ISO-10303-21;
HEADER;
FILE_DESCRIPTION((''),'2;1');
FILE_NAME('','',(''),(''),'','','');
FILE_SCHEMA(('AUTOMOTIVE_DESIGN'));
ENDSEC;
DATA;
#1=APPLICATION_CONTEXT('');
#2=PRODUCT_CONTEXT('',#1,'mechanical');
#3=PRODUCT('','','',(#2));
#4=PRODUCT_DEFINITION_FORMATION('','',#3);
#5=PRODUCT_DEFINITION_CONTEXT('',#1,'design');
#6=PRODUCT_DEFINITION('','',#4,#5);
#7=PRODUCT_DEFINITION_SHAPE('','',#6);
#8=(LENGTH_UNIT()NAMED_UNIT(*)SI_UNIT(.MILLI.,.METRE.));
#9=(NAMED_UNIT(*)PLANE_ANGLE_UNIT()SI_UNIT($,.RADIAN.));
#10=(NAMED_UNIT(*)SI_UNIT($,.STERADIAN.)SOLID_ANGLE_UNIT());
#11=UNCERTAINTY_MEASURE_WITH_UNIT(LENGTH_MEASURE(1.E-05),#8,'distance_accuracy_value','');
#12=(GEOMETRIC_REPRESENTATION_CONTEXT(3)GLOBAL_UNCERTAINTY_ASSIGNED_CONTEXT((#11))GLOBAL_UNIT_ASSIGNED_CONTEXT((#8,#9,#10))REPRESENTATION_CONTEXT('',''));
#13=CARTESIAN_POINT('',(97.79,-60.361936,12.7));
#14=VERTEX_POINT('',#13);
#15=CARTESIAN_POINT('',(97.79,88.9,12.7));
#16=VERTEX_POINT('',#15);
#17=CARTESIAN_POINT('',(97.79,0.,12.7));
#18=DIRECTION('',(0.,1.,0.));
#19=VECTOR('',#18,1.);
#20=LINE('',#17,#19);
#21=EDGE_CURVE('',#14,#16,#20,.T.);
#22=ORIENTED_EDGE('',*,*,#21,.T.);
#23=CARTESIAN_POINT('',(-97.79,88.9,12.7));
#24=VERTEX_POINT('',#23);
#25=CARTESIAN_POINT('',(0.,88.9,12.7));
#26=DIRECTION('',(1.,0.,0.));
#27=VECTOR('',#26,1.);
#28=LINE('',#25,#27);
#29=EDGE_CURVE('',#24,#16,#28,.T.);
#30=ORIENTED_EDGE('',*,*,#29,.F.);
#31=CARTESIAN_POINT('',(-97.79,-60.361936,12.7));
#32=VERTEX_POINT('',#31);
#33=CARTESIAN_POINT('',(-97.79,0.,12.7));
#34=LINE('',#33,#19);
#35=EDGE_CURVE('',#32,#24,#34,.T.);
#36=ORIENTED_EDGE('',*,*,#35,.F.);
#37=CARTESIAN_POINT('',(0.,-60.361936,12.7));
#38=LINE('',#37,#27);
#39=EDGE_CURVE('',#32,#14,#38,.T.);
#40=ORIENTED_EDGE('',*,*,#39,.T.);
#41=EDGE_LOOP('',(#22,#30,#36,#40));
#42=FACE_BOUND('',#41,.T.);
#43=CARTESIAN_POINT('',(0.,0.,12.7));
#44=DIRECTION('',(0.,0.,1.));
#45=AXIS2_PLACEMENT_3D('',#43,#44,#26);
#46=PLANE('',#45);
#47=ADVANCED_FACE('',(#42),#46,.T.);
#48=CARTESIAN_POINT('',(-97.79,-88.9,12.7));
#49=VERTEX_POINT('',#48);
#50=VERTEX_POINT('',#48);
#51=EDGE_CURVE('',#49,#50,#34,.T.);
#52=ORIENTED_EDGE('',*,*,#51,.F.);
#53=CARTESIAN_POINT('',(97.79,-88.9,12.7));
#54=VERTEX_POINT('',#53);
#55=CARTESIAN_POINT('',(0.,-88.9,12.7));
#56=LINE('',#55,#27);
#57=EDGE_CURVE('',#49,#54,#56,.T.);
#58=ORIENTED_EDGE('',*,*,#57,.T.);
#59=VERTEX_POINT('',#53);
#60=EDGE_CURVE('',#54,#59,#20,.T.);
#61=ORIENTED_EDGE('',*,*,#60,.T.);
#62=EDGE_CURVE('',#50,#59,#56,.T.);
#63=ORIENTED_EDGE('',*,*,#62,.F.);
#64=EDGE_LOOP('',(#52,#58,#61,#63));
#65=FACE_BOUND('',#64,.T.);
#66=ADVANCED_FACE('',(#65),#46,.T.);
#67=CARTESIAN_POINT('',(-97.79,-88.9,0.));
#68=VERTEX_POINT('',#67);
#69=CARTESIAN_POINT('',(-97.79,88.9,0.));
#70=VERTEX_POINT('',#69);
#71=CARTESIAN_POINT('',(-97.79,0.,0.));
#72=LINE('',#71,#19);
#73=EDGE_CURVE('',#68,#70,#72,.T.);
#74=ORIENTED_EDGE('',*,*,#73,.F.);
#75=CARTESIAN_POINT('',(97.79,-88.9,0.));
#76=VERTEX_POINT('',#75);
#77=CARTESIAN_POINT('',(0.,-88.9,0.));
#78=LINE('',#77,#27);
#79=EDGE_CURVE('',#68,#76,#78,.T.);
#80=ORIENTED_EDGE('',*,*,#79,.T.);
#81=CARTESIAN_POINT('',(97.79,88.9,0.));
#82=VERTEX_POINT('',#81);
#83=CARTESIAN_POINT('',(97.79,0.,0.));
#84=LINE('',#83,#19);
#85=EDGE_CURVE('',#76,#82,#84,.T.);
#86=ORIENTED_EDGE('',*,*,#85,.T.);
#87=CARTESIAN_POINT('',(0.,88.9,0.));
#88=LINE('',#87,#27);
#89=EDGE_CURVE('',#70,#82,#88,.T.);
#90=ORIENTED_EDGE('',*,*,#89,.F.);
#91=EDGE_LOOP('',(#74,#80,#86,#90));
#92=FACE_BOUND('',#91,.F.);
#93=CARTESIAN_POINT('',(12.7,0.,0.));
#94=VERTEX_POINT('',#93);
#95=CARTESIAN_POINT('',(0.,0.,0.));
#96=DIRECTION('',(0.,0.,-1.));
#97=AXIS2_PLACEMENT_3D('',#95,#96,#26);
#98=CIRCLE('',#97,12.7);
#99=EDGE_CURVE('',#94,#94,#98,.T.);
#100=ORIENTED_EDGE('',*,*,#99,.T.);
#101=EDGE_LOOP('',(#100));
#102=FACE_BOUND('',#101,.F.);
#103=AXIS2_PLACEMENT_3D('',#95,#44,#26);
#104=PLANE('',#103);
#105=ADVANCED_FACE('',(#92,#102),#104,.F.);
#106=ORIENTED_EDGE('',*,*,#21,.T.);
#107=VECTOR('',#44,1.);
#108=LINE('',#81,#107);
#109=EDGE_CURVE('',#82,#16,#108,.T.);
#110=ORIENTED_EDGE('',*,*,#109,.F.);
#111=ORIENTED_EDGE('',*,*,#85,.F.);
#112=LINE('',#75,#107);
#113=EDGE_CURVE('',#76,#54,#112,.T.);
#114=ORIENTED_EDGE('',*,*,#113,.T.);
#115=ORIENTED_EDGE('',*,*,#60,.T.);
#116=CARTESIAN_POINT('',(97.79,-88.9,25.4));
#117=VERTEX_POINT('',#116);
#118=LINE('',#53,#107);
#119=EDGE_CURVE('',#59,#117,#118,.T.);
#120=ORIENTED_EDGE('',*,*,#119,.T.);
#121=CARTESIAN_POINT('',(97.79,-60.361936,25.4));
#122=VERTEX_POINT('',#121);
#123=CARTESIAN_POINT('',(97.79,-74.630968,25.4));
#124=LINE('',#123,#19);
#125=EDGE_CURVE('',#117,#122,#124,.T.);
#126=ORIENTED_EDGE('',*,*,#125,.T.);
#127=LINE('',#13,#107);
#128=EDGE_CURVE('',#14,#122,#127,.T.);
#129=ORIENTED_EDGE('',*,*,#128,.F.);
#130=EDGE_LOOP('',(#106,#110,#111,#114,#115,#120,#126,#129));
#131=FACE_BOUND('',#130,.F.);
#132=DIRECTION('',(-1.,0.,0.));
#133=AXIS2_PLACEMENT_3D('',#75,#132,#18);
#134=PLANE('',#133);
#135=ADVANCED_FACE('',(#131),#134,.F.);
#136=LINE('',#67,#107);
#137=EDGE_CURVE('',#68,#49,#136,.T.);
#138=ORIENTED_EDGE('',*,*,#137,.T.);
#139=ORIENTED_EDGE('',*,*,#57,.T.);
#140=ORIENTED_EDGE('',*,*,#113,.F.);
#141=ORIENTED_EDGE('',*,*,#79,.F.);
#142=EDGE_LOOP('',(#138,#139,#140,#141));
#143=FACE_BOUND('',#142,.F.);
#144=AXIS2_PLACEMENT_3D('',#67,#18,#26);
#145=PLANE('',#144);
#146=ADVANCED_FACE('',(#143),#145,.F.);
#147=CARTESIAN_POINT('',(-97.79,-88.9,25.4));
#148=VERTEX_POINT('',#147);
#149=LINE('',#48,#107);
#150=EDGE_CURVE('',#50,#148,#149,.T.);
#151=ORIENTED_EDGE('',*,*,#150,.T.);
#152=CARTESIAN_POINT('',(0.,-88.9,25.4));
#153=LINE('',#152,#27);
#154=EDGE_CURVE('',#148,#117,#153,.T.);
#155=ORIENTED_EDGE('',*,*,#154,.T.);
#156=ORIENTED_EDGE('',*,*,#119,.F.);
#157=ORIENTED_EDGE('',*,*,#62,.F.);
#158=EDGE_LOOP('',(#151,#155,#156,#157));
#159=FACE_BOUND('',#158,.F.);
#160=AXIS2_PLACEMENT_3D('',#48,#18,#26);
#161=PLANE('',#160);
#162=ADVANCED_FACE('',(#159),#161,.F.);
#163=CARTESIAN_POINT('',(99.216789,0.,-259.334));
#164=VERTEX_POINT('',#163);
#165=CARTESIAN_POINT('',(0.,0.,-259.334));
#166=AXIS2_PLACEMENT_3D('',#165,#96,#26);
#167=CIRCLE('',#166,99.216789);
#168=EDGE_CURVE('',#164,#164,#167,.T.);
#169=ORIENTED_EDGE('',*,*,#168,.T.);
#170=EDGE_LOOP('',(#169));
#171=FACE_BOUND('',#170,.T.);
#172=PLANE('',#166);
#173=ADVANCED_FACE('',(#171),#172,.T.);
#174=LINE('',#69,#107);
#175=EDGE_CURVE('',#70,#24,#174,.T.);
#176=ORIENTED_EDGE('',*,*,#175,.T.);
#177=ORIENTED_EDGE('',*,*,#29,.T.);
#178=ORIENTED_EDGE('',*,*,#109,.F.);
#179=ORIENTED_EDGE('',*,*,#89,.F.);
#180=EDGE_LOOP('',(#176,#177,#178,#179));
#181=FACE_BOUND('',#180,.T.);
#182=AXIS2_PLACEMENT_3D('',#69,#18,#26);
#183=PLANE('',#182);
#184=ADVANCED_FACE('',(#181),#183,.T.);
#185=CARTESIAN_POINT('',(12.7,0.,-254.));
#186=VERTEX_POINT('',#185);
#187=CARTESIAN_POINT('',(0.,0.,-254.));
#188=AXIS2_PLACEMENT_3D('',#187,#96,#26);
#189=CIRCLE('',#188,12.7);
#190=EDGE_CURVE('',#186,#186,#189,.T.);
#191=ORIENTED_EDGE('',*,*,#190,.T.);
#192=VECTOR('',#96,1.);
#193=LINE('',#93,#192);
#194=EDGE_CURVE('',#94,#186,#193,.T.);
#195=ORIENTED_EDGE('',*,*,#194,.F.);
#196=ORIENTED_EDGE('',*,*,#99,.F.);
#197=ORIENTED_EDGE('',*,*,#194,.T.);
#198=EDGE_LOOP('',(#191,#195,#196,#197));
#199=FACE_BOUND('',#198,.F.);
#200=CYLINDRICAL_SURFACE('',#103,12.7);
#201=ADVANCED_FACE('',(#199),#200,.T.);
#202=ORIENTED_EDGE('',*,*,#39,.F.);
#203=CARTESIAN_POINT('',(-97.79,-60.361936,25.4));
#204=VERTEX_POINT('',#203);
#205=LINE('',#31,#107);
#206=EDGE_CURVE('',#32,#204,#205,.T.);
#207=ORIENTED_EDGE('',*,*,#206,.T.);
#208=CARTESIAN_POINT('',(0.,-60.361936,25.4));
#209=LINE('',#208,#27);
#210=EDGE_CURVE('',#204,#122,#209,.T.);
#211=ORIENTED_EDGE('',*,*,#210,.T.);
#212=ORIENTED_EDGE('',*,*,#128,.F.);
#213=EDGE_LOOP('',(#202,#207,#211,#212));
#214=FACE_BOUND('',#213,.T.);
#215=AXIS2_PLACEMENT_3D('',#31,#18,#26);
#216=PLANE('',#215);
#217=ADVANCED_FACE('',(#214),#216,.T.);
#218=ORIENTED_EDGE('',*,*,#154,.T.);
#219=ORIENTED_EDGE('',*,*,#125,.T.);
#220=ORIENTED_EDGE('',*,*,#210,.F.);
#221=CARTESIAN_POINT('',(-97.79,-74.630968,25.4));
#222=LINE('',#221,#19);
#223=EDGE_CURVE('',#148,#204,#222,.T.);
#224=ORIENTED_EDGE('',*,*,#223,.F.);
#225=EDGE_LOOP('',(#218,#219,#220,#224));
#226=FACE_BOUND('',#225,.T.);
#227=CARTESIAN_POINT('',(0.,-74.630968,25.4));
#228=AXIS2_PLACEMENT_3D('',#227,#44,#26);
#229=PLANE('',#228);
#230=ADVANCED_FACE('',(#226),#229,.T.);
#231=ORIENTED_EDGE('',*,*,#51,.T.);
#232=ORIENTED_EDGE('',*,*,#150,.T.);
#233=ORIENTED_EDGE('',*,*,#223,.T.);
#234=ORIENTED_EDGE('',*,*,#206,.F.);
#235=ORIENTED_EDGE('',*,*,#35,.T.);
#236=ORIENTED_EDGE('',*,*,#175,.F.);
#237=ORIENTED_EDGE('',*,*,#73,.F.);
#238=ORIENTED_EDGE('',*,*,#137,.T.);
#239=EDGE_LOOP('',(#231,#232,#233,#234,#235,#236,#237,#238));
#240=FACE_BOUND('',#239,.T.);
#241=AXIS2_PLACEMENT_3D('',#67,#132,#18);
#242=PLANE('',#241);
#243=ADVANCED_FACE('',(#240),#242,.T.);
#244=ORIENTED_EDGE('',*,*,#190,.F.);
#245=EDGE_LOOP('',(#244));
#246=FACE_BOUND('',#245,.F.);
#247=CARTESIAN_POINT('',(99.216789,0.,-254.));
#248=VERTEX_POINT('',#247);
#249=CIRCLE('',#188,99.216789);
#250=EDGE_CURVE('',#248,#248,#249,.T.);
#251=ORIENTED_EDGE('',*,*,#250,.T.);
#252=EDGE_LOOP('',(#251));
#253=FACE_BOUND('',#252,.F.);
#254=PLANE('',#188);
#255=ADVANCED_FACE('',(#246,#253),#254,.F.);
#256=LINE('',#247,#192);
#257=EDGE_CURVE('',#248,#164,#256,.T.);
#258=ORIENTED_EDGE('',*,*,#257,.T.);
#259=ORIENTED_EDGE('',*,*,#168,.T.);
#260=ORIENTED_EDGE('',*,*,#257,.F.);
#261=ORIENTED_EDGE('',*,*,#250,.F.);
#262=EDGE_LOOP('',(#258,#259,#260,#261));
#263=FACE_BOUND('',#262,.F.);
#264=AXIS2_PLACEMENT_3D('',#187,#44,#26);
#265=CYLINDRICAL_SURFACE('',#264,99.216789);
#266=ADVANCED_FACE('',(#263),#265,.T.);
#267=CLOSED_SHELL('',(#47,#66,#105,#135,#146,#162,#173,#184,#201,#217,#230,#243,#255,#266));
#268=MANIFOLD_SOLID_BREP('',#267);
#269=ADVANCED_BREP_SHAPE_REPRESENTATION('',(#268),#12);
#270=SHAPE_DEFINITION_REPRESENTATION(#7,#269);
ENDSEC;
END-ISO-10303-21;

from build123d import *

# Parameters (mm, degrees)
F0_W     = 195.58
F0_H     = 177.8
F1_DEPTH = 12.7
F2_R     = 12.7
F3_DEPTH = 254
F4_R     = 99.216789
F5_DEPTH = 5.334
F6_W     = 195.58
F6_H     = 28.538063
F7_DEPTH = 12.7


with BuildPart() as f1:
    # F0 (on Top) → F1 (new body)
    with BuildSketch(Plane.XY):
        Rectangle(F0_W, F0_H)
    extrude(amount=F1_DEPTH)

    # F2 (on face) → F3 (join)
    with BuildSketch(Plane(origin=(0, 0, 0), x_dir=(1, 0, 0), z_dir=(0, 0, -1))):
        Circle(F2_R)
    extrude(amount=F3_DEPTH)

    # F4 (on face) → F5 (join)
    with BuildSketch(Plane(origin=(0, 0, -254), x_dir=(1, 0, 0), z_dir=(0, 0, -1))):
        Circle(F4_R)
    extrude(amount=F5_DEPTH)

    # F6 (on face) → F7 (join)
    with BuildSketch(Plane.XY.offset(12.7)):
        with Locations((0, -74.630968)):
            Rectangle(F6_W, F6_H)
    extrude(amount=F7_DEPTH)


solid = f1.part
